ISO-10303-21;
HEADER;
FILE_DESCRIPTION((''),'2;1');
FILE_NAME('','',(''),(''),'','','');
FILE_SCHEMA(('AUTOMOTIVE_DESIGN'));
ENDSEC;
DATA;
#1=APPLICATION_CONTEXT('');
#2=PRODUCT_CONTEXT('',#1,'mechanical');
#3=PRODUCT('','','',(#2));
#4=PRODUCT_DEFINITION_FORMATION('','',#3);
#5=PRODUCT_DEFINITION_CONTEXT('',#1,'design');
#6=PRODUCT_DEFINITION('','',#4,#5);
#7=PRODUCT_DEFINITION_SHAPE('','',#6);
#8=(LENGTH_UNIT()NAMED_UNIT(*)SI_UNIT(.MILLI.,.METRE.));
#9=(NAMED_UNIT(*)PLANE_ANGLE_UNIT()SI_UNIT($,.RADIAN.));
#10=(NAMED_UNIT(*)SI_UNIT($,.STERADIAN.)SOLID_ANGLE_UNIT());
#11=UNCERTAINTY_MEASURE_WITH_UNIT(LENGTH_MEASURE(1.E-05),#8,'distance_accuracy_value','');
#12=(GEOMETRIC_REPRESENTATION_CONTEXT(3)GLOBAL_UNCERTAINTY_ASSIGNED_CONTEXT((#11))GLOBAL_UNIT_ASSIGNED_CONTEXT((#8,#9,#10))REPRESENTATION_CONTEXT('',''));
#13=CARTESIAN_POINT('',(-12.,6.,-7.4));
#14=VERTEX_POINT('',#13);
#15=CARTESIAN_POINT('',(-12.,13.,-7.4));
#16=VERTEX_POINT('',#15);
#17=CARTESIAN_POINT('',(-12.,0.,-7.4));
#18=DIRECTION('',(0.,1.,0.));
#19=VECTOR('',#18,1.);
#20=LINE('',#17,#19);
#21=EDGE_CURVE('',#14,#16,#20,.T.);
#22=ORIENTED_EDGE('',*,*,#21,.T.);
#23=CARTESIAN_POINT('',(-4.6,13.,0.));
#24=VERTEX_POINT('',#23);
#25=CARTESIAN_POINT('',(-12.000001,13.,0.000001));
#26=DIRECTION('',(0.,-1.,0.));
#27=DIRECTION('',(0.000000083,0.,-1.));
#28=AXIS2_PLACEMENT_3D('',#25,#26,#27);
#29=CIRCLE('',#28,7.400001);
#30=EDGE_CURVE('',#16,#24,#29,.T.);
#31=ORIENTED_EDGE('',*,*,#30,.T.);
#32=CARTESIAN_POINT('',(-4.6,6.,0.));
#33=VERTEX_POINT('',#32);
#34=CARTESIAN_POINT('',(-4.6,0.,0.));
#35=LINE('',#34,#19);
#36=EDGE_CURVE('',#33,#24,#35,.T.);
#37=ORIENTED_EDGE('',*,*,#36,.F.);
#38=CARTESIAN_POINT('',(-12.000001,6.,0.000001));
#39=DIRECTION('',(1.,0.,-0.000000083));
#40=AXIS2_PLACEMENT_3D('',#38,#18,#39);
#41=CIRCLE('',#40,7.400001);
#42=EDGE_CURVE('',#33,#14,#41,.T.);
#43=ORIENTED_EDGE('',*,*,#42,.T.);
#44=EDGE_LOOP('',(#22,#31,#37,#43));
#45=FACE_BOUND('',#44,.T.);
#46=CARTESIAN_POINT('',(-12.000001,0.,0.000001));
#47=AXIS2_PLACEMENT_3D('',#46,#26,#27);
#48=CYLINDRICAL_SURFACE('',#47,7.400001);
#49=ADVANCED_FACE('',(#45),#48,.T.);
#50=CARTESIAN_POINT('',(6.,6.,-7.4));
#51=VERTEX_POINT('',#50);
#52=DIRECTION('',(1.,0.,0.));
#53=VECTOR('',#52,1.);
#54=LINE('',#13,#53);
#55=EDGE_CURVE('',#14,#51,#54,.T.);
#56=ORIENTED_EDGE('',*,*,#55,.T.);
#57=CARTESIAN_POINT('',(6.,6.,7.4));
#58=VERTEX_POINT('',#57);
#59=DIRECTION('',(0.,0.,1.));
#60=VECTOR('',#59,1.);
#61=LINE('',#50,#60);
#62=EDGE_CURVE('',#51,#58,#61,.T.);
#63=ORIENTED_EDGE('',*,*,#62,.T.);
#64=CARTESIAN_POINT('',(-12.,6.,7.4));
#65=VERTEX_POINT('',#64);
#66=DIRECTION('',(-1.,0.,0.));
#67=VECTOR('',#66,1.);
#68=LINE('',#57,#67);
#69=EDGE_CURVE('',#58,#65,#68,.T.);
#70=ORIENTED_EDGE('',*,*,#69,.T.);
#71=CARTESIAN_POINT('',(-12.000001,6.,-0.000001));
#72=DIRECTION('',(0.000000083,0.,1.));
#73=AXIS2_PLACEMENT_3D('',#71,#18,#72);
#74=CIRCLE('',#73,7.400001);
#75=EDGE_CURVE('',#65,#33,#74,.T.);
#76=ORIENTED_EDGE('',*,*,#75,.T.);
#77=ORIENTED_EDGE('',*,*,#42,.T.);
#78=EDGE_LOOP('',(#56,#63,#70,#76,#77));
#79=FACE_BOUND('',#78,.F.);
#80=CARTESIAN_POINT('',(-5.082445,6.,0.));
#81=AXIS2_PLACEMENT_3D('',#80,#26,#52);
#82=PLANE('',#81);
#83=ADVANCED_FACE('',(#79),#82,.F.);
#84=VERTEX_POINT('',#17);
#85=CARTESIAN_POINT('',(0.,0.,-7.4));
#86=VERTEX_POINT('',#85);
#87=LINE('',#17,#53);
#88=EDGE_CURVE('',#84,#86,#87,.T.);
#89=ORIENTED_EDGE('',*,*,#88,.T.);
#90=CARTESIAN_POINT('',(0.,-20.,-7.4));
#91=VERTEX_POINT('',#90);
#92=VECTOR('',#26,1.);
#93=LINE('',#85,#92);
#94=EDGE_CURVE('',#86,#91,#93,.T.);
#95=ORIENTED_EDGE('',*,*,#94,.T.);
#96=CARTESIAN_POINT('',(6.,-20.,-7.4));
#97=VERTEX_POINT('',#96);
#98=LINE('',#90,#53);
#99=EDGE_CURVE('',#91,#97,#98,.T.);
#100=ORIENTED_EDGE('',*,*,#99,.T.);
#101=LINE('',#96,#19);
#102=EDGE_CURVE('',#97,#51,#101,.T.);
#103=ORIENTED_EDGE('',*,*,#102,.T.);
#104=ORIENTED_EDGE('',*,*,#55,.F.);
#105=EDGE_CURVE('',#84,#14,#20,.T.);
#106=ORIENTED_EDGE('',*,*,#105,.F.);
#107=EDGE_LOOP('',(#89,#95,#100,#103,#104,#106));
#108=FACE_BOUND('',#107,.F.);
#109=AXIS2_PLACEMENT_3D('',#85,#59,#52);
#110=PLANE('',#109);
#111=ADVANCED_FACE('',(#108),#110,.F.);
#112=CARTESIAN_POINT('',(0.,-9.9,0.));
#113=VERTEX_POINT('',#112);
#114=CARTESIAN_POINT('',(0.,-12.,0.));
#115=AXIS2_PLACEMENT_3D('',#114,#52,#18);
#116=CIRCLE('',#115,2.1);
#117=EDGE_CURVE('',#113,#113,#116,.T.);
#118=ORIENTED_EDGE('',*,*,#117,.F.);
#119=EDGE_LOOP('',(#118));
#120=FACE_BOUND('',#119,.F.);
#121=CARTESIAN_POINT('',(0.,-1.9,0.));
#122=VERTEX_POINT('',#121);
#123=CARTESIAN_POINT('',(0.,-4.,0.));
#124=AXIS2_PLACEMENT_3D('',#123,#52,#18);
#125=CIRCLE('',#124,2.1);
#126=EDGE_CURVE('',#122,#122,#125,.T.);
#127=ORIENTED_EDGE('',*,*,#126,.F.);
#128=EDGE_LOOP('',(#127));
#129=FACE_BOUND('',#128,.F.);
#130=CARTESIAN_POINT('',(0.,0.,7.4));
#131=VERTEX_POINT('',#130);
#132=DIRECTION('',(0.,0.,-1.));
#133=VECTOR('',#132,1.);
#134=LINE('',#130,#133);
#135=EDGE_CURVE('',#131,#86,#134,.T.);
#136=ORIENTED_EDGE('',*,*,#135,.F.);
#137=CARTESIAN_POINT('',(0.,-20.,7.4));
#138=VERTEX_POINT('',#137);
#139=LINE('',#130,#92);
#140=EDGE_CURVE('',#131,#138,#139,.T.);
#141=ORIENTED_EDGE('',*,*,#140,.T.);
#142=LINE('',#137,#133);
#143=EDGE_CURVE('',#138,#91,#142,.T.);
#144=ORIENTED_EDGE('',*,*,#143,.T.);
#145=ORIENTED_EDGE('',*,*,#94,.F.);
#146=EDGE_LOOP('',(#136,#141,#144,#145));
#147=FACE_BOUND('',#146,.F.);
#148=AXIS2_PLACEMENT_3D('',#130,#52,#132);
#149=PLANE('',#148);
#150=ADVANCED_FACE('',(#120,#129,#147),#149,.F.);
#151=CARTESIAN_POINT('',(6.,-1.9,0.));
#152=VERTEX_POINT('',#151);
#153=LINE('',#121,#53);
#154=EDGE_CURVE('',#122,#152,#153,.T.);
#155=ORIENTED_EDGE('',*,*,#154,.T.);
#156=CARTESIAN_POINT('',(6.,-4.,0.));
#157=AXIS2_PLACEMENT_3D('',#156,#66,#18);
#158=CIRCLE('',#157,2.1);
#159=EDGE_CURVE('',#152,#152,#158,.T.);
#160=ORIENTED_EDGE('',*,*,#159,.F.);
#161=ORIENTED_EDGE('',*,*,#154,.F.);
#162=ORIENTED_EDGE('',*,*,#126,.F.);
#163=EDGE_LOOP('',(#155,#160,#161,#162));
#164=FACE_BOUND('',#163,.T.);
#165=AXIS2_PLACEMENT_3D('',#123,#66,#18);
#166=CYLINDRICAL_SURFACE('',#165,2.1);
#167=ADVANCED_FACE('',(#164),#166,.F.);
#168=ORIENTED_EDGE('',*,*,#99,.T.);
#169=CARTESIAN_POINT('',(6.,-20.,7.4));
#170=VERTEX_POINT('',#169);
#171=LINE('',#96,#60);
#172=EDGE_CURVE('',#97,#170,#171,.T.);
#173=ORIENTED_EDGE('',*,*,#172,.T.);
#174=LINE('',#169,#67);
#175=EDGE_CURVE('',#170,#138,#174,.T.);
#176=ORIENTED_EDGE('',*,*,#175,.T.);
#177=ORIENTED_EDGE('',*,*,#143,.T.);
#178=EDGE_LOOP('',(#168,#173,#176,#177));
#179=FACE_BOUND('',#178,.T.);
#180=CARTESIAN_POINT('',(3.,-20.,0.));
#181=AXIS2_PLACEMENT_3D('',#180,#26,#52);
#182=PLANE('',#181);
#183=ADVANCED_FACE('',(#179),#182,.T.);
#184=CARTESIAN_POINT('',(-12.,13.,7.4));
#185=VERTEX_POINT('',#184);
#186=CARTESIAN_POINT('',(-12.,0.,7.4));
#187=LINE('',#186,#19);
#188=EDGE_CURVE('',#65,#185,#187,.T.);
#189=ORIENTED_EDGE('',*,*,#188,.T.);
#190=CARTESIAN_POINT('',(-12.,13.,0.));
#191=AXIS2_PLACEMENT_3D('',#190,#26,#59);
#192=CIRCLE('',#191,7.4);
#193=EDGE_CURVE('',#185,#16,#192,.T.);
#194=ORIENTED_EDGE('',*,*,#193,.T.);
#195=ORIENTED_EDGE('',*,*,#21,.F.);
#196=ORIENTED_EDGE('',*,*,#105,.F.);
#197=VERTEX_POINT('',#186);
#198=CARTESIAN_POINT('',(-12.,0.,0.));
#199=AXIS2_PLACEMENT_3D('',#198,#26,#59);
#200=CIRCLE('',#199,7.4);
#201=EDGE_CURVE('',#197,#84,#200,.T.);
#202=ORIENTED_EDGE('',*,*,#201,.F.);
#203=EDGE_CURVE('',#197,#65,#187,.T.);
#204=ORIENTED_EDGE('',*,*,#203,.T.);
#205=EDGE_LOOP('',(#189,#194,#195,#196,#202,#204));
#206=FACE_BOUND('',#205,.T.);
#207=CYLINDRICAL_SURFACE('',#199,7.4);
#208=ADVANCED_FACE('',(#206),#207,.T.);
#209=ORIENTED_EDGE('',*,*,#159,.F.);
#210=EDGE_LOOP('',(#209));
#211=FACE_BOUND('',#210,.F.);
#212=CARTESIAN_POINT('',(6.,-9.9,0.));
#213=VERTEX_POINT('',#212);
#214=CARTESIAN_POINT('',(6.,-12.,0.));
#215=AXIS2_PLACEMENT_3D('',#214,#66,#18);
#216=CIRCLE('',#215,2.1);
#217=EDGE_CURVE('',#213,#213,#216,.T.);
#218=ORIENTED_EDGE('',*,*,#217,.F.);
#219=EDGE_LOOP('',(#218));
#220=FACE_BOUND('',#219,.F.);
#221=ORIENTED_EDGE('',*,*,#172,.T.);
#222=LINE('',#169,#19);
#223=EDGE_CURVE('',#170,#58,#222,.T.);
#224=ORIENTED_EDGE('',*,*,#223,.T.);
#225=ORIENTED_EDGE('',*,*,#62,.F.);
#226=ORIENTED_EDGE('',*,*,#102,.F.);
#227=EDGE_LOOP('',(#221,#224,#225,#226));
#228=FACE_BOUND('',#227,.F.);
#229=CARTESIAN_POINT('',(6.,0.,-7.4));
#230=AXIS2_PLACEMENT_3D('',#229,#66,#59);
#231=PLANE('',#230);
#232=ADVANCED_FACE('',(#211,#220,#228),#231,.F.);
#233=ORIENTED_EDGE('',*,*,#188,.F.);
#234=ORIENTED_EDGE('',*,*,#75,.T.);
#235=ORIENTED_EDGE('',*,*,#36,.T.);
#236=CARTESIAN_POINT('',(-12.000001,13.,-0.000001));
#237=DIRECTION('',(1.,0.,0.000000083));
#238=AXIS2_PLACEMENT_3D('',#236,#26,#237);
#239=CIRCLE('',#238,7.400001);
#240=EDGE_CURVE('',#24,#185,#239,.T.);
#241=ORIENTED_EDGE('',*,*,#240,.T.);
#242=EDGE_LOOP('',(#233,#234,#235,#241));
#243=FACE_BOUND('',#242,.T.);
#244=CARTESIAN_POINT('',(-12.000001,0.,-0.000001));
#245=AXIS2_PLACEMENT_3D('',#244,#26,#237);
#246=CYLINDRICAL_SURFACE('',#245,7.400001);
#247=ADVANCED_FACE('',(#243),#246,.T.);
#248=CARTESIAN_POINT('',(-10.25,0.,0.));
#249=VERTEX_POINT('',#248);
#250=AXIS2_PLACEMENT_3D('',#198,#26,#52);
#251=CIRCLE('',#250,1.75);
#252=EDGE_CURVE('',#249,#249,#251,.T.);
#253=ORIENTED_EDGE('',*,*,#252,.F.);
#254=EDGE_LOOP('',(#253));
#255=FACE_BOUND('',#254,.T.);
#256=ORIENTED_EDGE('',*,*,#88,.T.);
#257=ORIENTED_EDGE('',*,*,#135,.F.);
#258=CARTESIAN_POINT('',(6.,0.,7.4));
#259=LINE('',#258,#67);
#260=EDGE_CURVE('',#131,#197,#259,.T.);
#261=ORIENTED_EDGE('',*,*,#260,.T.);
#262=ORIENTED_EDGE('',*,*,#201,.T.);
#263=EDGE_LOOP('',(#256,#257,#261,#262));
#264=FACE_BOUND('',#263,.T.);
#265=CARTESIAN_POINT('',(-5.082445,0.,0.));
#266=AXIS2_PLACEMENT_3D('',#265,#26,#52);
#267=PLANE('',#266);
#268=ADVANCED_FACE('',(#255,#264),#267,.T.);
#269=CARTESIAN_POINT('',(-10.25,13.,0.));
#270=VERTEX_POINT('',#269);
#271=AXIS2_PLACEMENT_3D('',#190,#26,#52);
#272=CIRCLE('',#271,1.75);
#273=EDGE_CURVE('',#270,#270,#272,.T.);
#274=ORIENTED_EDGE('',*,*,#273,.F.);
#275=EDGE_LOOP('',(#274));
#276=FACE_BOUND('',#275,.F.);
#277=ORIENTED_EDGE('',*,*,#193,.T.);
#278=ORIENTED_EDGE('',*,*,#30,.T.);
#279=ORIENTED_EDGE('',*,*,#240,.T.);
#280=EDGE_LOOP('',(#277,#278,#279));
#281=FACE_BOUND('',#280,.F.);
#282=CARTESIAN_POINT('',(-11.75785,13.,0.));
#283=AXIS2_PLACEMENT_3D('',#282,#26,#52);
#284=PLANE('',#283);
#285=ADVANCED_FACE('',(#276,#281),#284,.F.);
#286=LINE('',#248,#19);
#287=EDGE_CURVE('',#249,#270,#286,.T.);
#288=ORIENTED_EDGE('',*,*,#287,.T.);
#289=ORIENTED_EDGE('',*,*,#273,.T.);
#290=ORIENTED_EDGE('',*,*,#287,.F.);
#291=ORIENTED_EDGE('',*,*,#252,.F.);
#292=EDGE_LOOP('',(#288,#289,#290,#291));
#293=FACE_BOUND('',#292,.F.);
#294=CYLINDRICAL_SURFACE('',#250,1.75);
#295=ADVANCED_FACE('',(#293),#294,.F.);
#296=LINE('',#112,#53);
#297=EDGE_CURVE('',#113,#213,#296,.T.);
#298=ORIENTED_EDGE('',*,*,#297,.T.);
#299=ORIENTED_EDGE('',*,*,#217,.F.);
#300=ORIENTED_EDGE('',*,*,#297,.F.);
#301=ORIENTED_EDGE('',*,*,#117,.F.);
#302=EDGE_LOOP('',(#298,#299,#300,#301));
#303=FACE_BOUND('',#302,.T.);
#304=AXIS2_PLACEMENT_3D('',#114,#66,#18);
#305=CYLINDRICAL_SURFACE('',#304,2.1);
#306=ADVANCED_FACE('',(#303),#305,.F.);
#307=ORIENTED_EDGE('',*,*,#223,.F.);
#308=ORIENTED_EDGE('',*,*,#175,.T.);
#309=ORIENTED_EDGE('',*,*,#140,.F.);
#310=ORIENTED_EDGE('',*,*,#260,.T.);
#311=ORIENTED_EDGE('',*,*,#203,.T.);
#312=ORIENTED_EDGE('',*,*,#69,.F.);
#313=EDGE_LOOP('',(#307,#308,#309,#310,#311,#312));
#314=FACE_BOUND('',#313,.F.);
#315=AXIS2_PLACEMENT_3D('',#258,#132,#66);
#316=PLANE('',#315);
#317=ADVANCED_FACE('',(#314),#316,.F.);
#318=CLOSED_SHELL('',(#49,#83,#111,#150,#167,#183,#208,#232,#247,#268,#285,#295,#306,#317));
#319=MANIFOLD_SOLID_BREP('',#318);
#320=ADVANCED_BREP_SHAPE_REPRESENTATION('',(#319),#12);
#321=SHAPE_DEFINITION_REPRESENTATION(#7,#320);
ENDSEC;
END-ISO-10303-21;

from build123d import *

# Parameters (mm, degrees)
F0_R     = 1.75
F1_DEPTH = 13
F2_DEPTH = 6
F3_DEPTH = 20
F4_R     = 2.1
F5_DEPTH = 25


with BuildPart() as f1:
    # F0 (on Front) → F1 (new body)
    with BuildSketch(Plane.XZ):
        with BuildLine():
            ThreePointArc((-12, -7.4), (-6.76741, -5.23259), (-4.6, 0))
            ThreePointArc((-4.6, 0), (-6.76741, 5.23259), (-12, 7.4))
            ThreePointArc((-12, 7.4), (-19.4, 0), (-12, -7.4))
        make_face()
        with Locations((-12, 0)):
            Circle(F0_R, mode=Mode.SUBTRACT)
    extrude(amount=-F1_DEPTH)

    # F0 (on Front) → F2 (join)
    with BuildSketch(Plane.XZ):
        with BuildLine():
            ThreePointArc((-12, 7.4), (-6.76741, 5.23259), (-4.6, 0))
            ThreePointArc((-4.6, 0), (-6.76741, -5.23259), (-12, -7.4))
            Line((-12, -7.4), (0, -7.4))
            Line((0, -7.4), (0, 0))
            Line((0, 0), (0, 7.4))
            Line((0, 7.4), (-12, 7.4))
        make_face()
        Polygon((6, 7.4), (0, 7.4), (0, 0), (0, -7.4), (6, -7.4), align=None)
    extrude(amount=-F2_DEPTH)

    # F0 (on Front) → F3 (join)
    with BuildSketch(Plane.XZ):
        Polygon((6, 7.4), (0, 7.4), (0, 0), (0, -7.4), (6, -7.4), align=None)
    extrude(amount=F3_DEPTH)

    # F4 (on Right) → F5 (cut)
    with BuildSketch(Plane.YZ):
        with Locations((-12, 0)):
            Circle(F4_R)
        with Locations((-4, 0)):
            Circle(F4_R)
    extrude(amount=F5_DEPTH, mode=Mode.SUBTRACT)


solid = f1.part
